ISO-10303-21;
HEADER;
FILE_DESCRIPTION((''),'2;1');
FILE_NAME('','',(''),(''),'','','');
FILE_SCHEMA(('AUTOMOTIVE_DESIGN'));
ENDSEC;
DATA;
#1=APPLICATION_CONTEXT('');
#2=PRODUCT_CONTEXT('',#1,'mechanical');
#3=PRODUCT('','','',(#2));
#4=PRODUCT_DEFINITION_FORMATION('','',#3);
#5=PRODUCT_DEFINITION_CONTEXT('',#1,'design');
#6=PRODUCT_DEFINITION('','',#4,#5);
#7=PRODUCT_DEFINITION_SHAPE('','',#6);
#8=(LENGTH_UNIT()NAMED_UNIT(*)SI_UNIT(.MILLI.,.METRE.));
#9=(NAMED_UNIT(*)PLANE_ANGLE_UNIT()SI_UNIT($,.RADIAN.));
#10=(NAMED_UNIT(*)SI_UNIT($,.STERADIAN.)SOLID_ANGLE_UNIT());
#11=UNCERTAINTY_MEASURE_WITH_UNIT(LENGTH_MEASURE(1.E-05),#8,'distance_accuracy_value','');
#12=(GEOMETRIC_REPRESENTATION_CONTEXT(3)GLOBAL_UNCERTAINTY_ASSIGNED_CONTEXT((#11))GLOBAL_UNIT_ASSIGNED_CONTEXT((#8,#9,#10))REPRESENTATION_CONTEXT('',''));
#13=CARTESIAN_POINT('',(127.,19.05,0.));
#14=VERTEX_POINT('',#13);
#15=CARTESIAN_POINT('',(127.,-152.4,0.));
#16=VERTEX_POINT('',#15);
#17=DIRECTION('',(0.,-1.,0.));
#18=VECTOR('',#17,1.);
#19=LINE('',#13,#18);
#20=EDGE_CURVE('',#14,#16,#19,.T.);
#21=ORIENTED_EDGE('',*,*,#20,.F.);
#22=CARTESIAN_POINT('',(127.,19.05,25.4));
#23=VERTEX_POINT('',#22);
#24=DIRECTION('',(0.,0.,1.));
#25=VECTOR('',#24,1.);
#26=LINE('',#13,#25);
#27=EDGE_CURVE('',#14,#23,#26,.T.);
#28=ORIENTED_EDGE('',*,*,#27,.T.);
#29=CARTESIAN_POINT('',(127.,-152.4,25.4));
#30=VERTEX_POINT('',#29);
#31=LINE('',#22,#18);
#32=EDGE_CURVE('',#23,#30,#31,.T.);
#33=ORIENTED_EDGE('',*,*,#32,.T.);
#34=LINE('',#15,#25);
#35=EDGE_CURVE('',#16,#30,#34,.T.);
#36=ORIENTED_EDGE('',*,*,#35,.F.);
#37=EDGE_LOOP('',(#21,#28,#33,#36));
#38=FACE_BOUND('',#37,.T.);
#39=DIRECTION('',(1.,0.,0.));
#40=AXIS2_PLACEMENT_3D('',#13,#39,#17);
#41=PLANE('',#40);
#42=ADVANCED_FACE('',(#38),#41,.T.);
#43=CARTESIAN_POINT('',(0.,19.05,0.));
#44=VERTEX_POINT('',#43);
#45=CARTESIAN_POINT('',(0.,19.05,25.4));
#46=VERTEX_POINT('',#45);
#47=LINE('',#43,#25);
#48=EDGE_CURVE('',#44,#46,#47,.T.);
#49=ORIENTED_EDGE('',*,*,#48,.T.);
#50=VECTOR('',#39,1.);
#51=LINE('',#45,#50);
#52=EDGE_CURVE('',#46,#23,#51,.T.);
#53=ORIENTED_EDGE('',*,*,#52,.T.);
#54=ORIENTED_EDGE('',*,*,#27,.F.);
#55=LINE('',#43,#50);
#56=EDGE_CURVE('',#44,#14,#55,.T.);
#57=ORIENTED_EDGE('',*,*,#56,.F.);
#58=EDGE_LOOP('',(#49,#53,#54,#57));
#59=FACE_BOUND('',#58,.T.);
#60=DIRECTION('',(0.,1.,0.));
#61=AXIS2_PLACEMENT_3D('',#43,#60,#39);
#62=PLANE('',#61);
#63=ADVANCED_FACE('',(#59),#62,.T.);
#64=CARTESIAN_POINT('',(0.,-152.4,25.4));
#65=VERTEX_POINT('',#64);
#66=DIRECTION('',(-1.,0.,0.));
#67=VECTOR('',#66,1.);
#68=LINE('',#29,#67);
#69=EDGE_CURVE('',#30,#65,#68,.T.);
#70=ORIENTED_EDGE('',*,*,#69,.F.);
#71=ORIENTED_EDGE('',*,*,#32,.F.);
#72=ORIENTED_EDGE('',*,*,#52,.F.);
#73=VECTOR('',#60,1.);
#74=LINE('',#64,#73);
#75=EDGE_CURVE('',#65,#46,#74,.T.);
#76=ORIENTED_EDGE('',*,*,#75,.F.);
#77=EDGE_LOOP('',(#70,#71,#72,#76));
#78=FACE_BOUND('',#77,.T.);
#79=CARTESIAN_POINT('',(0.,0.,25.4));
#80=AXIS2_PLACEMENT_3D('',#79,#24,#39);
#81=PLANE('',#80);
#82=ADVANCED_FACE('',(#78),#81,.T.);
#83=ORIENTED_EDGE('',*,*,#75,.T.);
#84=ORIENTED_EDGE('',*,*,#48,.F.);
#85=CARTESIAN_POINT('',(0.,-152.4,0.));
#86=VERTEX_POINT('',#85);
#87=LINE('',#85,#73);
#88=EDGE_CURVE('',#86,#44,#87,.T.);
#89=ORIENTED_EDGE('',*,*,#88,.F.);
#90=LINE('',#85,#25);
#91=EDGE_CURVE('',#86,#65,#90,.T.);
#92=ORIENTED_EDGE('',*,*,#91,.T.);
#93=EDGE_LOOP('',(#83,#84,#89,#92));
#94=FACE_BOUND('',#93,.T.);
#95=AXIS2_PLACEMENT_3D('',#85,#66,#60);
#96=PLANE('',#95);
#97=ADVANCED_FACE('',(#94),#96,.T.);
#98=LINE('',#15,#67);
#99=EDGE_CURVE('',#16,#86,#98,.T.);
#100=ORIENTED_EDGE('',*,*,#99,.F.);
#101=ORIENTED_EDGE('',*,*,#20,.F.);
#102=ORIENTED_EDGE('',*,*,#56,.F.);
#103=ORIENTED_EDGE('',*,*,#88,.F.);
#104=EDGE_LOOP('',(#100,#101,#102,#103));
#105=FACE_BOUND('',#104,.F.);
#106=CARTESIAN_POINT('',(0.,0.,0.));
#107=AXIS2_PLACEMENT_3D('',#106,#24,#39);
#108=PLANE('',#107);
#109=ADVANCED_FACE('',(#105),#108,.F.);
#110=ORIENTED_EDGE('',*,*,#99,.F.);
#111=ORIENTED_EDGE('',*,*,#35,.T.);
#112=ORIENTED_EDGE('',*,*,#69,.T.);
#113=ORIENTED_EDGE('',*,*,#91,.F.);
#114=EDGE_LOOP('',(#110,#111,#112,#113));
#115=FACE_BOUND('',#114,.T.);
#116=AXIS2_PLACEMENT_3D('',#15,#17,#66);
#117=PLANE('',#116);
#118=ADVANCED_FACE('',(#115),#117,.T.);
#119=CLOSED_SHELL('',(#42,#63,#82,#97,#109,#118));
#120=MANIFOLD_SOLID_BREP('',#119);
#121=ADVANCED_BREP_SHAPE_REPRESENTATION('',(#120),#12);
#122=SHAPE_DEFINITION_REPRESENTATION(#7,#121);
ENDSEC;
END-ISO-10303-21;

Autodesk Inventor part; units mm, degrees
ref_plane "YZ Plane" through (0, 0, 0) normal (1, 0, 0) x (0, 1, 0)
ref_plane "XZ Plane" through (0, 0, 0) normal (0, 1, 0) x (-1, 0, 0)
ref_plane "XY Plane" through (0, 0, 0) normal (0, 0, 1) x (1, 0, 0)
sketch "Sketch1" plane through (0, 0, 0) normal (0, 0, 1) x (1, 0, 0)
  line L0 (0, 19.05) -> (127, 19.05)
  line L1 (127, 19.05) -> (127, -152.4)
  line L2 (127, -152.4) -> (0, -152.4)
  line L3 (0, -152.4) -> (0, 19.05)
  point P0 (0, 0)
  dimension "d0" = 127
  dimension "d1" = 171.45
extrude "Extrusion1" add sketch "Sketch1" along normal blind 25.4
properties part number "BumperWood2"
